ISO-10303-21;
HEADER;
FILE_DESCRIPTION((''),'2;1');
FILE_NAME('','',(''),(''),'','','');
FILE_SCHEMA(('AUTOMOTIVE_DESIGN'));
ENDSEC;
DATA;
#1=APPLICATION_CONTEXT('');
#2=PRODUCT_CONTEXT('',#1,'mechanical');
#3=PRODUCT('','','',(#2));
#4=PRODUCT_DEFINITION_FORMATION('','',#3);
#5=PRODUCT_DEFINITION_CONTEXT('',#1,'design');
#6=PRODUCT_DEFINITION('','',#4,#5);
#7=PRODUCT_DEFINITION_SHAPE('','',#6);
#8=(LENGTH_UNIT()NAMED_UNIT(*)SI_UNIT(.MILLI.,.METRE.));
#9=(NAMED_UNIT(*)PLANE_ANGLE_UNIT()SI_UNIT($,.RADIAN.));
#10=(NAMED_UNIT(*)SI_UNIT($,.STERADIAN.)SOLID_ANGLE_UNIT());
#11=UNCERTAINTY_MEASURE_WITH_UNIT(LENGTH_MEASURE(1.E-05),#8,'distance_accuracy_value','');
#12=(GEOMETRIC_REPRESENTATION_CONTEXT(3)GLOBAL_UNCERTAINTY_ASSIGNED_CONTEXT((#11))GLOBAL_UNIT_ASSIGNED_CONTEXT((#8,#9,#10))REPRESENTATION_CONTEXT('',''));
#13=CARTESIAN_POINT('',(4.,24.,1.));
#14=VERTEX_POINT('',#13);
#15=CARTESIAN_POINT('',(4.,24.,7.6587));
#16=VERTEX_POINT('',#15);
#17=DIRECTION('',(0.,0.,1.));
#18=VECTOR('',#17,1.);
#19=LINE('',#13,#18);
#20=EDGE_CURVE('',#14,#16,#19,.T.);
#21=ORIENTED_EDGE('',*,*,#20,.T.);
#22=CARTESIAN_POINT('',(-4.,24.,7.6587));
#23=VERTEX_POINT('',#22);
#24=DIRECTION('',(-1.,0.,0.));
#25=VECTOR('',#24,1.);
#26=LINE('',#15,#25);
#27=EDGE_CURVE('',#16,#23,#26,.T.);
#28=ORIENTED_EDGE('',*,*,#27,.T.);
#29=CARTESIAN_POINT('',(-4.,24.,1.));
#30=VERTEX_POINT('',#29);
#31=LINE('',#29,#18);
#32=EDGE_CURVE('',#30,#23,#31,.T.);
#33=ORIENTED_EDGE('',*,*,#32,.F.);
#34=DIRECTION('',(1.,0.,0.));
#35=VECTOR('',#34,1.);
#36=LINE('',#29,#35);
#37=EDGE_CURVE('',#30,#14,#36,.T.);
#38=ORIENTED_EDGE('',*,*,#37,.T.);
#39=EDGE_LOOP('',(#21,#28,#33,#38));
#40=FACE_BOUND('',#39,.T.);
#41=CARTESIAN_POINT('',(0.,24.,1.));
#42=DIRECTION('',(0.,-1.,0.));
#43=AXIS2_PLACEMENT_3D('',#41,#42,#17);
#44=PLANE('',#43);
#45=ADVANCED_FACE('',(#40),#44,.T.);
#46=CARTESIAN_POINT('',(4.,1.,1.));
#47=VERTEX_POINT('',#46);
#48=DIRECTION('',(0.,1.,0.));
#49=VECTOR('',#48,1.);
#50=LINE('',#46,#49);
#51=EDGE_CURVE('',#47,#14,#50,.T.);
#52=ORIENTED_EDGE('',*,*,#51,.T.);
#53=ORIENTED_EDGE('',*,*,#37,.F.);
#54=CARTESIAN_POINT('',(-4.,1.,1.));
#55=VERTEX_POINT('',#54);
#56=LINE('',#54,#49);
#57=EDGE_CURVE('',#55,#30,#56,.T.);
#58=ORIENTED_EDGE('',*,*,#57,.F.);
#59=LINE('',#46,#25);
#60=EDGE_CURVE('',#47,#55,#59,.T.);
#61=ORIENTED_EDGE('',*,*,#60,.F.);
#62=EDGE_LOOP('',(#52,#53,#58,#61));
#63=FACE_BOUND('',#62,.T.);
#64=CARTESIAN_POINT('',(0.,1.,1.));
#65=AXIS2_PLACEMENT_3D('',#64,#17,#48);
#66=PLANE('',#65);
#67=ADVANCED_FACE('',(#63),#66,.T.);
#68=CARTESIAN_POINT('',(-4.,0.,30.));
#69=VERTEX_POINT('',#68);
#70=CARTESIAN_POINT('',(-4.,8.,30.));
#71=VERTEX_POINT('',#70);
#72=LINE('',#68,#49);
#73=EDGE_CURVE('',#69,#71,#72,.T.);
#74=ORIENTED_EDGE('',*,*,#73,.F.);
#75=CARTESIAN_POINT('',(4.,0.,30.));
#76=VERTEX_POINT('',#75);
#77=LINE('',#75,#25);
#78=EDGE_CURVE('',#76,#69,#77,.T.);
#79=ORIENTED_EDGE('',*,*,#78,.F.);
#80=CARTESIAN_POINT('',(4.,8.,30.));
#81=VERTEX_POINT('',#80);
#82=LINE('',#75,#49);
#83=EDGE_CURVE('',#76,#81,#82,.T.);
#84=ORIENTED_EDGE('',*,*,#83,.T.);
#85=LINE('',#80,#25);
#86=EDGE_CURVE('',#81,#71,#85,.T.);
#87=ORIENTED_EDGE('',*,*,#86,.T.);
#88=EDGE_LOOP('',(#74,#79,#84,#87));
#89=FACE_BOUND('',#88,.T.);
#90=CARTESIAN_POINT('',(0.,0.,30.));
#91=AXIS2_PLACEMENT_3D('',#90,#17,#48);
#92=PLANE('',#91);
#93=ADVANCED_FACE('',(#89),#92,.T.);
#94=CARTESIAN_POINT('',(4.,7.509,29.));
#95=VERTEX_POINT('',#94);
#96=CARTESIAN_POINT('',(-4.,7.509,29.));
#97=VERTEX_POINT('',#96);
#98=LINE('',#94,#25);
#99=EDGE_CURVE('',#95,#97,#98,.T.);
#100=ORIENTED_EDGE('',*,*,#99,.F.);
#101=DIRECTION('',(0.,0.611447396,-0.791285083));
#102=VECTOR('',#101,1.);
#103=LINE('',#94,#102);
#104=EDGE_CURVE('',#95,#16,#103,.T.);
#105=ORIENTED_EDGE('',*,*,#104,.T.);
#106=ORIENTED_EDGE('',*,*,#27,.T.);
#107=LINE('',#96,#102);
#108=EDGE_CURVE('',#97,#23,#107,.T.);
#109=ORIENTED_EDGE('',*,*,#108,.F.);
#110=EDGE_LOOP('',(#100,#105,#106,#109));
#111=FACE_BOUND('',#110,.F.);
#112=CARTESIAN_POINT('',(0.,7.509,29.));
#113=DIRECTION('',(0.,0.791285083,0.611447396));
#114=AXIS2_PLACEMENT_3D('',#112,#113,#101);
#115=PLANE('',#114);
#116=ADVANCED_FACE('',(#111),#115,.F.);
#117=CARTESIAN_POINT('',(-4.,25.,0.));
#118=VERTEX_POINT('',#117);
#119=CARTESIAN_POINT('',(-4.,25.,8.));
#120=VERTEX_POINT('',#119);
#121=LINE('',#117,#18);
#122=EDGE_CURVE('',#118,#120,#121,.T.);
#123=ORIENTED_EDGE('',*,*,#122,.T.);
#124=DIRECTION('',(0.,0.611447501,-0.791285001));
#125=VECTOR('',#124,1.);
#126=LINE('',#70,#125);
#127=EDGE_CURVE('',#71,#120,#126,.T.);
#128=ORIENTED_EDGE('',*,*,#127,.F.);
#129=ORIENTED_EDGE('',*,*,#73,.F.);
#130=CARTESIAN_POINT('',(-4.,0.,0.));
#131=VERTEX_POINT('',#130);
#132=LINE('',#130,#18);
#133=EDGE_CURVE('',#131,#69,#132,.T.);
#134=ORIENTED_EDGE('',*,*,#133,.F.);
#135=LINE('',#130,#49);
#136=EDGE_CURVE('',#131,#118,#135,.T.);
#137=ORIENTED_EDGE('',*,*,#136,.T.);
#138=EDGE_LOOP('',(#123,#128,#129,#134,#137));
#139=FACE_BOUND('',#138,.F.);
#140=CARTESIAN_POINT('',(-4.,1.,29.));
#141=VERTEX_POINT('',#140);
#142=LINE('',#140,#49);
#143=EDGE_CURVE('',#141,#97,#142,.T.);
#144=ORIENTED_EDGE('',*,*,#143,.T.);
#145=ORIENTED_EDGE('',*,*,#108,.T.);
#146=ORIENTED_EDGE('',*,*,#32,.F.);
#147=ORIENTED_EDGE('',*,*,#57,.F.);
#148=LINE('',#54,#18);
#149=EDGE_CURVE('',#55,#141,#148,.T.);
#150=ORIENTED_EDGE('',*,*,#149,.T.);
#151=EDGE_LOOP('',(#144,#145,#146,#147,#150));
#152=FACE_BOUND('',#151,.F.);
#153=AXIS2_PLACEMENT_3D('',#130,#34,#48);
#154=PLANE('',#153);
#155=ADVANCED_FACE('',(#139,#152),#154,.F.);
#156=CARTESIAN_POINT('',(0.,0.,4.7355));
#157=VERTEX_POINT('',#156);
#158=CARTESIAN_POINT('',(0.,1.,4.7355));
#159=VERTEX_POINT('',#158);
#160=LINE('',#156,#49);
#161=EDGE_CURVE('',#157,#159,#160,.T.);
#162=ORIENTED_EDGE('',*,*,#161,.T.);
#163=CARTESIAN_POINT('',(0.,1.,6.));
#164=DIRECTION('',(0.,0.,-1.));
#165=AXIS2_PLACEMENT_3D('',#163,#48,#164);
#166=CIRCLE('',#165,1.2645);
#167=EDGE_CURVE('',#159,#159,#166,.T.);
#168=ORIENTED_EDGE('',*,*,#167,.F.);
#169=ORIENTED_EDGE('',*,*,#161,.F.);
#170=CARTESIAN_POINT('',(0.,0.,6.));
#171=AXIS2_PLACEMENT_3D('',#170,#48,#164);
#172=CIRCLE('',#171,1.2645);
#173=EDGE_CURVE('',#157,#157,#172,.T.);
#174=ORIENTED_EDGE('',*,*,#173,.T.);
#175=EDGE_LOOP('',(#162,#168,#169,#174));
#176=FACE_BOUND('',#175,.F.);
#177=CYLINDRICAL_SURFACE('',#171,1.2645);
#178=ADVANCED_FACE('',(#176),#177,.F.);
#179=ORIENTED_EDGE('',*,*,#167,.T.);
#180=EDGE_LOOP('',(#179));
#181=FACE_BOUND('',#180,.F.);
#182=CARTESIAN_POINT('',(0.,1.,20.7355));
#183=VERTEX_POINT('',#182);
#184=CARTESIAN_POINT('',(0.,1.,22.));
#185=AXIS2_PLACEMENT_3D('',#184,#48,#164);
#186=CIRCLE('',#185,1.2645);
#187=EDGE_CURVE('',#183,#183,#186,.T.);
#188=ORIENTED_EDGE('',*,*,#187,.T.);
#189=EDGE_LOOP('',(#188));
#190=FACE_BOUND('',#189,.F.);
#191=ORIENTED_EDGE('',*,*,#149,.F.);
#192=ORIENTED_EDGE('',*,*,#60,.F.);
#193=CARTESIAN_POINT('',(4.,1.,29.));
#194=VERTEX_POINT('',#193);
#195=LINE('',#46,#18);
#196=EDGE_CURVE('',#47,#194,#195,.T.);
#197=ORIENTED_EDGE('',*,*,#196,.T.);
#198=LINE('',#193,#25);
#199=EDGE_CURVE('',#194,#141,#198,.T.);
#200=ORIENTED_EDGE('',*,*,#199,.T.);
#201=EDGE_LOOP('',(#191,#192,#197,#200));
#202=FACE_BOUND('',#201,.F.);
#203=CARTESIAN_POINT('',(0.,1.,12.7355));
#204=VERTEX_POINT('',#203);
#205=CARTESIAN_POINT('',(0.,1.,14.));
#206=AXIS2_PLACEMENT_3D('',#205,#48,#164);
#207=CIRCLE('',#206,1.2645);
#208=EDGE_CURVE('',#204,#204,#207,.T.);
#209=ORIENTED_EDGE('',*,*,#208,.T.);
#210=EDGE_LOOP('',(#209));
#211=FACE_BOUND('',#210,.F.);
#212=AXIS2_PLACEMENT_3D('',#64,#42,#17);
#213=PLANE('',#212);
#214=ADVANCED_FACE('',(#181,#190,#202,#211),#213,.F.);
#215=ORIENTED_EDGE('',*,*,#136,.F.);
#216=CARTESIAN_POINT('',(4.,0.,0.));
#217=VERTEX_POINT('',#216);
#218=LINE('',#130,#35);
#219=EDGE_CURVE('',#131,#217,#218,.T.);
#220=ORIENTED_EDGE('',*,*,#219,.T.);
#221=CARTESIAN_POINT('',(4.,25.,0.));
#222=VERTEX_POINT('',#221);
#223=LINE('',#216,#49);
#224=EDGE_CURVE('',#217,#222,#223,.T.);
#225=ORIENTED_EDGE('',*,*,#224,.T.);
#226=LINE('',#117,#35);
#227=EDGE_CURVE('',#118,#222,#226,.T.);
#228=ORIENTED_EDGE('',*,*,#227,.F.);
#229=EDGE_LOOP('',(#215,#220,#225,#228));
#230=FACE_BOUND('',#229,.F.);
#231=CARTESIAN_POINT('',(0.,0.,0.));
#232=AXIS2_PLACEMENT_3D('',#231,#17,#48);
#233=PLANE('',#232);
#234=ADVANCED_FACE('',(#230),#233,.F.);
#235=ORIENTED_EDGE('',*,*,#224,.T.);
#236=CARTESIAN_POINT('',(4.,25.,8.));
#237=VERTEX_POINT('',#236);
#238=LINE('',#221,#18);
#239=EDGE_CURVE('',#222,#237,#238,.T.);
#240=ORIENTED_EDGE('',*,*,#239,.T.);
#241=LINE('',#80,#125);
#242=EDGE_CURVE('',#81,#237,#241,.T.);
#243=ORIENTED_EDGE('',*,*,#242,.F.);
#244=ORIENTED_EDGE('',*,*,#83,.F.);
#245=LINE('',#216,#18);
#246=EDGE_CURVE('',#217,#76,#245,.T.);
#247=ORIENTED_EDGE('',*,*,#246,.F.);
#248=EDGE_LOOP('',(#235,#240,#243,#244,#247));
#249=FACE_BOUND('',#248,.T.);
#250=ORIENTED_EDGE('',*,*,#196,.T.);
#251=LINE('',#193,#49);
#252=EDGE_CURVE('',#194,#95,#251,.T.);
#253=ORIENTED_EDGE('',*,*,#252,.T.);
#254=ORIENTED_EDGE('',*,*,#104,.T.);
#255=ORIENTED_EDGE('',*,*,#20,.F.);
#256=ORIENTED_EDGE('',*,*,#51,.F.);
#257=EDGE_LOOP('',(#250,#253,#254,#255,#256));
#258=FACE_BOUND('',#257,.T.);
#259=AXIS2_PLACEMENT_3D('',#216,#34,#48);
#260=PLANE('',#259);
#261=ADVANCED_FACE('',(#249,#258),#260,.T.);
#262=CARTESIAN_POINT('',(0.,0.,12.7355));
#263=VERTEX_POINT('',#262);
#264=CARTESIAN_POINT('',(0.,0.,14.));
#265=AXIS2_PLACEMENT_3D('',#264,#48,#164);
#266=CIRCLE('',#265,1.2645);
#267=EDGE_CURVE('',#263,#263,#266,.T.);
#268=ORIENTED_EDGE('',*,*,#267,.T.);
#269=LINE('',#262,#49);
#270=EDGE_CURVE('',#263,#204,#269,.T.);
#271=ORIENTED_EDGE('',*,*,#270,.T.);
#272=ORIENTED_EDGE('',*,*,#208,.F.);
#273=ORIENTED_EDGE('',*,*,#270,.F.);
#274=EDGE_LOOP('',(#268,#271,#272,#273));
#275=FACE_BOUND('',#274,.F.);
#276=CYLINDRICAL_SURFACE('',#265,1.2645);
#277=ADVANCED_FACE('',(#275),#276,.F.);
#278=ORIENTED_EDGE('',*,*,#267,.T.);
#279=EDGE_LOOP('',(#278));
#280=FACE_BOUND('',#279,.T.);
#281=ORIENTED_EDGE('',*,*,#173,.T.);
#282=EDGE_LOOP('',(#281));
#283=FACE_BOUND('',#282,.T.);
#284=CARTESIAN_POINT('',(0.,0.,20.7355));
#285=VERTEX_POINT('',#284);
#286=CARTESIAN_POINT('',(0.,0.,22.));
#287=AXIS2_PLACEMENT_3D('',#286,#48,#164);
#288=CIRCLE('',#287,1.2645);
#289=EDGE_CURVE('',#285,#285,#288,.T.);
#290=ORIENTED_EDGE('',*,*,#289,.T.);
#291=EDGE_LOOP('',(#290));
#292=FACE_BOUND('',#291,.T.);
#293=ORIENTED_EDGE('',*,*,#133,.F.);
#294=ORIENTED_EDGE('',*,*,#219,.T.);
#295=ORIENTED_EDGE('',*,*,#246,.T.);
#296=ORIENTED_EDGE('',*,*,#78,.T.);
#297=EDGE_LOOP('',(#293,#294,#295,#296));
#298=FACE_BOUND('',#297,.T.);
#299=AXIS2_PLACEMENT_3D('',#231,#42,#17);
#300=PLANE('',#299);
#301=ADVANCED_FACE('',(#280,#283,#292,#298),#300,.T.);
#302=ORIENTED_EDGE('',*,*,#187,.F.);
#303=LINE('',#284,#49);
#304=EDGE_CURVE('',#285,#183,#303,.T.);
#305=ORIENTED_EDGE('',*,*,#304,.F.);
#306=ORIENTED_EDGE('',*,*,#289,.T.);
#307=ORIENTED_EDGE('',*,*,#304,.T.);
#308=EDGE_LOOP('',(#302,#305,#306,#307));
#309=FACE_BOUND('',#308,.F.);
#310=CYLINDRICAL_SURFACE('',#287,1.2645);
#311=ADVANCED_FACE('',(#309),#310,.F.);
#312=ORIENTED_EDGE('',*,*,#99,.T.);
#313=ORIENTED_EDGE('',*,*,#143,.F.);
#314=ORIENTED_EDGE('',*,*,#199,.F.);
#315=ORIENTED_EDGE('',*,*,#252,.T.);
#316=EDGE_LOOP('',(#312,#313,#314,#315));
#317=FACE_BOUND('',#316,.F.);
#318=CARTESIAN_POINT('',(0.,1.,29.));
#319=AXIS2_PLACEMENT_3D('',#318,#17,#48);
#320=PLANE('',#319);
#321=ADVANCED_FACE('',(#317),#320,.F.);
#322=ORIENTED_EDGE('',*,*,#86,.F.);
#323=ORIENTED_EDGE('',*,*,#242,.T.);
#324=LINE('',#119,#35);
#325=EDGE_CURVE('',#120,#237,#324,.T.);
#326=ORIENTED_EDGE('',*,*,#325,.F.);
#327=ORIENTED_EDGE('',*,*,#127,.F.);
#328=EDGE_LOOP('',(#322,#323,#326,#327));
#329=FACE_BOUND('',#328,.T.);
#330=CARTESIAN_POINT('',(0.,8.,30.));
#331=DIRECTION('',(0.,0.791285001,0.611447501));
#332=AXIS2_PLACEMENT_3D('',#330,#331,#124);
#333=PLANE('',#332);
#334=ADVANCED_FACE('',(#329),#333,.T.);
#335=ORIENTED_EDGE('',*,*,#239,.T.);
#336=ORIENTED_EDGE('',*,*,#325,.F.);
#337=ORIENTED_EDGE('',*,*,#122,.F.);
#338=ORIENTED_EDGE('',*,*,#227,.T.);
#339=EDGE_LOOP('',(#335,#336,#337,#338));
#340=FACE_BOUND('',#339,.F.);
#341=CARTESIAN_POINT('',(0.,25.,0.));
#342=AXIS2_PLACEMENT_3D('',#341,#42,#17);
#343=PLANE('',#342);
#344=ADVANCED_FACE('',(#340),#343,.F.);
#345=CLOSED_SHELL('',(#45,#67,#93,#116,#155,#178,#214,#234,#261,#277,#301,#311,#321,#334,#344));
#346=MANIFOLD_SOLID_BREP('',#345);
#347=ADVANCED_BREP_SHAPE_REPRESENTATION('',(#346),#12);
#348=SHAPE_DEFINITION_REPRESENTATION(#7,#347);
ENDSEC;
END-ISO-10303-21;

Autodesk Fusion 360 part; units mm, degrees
sketch "Sketch1" plane through (0, 0, 0) normal (1, 0, 0) x (0, 1, 0)
  line L0 (0, 0) -> (0, 30)
  line L1 (0, 0) -> (25, 0)
  line L2 (25, 0) -> (25, 8)
  line L3 (0, 30) -> (8, 30)
  line L4 (8, 30) -> (25, 8)
  line L5 (24, 1) -> (24, 7.6587)
  line L6 (7.509, 29) -> (24, 7.6587)
  line L7 (1, 29) -> (7.509, 29)
  line L8 (1, 1) -> (1, 29)
  line L9 (1, 1) -> (24, 1)
  dimension "d1" = 30
  dimension "d2" = 25
  dimension "d3" = 8
  dimension "d4" = 8
  dimension "d5" = 1
extrude "Extrude1" add sketch "Sketch1" along normal mid plane 8
sketch "Sketch2" plane through (0, 0, 0) normal (0, -1, 0) x (1, 0, 0)
  line L0 (-4, 0) -> (4, 0)
  line L1 (4, 0) -> (4, 30)
  line L2 (4, 30) -> (-4, 30)
  line L3 (-4, 30) -> (-4, 0)
  point P0 (0, 6)
  point P1 (0, 14)
  point P2 (0, 22)
  dimension "d8" = 6
  dimension "d9" = 8
  dimension "d10" = 8
hole "Hole1" at (0, 0, 22) at (0, 0, 14) at (0, 0, 6) direction (0, 1, 0) diameter 2.529 depth 8 tip angle 118
